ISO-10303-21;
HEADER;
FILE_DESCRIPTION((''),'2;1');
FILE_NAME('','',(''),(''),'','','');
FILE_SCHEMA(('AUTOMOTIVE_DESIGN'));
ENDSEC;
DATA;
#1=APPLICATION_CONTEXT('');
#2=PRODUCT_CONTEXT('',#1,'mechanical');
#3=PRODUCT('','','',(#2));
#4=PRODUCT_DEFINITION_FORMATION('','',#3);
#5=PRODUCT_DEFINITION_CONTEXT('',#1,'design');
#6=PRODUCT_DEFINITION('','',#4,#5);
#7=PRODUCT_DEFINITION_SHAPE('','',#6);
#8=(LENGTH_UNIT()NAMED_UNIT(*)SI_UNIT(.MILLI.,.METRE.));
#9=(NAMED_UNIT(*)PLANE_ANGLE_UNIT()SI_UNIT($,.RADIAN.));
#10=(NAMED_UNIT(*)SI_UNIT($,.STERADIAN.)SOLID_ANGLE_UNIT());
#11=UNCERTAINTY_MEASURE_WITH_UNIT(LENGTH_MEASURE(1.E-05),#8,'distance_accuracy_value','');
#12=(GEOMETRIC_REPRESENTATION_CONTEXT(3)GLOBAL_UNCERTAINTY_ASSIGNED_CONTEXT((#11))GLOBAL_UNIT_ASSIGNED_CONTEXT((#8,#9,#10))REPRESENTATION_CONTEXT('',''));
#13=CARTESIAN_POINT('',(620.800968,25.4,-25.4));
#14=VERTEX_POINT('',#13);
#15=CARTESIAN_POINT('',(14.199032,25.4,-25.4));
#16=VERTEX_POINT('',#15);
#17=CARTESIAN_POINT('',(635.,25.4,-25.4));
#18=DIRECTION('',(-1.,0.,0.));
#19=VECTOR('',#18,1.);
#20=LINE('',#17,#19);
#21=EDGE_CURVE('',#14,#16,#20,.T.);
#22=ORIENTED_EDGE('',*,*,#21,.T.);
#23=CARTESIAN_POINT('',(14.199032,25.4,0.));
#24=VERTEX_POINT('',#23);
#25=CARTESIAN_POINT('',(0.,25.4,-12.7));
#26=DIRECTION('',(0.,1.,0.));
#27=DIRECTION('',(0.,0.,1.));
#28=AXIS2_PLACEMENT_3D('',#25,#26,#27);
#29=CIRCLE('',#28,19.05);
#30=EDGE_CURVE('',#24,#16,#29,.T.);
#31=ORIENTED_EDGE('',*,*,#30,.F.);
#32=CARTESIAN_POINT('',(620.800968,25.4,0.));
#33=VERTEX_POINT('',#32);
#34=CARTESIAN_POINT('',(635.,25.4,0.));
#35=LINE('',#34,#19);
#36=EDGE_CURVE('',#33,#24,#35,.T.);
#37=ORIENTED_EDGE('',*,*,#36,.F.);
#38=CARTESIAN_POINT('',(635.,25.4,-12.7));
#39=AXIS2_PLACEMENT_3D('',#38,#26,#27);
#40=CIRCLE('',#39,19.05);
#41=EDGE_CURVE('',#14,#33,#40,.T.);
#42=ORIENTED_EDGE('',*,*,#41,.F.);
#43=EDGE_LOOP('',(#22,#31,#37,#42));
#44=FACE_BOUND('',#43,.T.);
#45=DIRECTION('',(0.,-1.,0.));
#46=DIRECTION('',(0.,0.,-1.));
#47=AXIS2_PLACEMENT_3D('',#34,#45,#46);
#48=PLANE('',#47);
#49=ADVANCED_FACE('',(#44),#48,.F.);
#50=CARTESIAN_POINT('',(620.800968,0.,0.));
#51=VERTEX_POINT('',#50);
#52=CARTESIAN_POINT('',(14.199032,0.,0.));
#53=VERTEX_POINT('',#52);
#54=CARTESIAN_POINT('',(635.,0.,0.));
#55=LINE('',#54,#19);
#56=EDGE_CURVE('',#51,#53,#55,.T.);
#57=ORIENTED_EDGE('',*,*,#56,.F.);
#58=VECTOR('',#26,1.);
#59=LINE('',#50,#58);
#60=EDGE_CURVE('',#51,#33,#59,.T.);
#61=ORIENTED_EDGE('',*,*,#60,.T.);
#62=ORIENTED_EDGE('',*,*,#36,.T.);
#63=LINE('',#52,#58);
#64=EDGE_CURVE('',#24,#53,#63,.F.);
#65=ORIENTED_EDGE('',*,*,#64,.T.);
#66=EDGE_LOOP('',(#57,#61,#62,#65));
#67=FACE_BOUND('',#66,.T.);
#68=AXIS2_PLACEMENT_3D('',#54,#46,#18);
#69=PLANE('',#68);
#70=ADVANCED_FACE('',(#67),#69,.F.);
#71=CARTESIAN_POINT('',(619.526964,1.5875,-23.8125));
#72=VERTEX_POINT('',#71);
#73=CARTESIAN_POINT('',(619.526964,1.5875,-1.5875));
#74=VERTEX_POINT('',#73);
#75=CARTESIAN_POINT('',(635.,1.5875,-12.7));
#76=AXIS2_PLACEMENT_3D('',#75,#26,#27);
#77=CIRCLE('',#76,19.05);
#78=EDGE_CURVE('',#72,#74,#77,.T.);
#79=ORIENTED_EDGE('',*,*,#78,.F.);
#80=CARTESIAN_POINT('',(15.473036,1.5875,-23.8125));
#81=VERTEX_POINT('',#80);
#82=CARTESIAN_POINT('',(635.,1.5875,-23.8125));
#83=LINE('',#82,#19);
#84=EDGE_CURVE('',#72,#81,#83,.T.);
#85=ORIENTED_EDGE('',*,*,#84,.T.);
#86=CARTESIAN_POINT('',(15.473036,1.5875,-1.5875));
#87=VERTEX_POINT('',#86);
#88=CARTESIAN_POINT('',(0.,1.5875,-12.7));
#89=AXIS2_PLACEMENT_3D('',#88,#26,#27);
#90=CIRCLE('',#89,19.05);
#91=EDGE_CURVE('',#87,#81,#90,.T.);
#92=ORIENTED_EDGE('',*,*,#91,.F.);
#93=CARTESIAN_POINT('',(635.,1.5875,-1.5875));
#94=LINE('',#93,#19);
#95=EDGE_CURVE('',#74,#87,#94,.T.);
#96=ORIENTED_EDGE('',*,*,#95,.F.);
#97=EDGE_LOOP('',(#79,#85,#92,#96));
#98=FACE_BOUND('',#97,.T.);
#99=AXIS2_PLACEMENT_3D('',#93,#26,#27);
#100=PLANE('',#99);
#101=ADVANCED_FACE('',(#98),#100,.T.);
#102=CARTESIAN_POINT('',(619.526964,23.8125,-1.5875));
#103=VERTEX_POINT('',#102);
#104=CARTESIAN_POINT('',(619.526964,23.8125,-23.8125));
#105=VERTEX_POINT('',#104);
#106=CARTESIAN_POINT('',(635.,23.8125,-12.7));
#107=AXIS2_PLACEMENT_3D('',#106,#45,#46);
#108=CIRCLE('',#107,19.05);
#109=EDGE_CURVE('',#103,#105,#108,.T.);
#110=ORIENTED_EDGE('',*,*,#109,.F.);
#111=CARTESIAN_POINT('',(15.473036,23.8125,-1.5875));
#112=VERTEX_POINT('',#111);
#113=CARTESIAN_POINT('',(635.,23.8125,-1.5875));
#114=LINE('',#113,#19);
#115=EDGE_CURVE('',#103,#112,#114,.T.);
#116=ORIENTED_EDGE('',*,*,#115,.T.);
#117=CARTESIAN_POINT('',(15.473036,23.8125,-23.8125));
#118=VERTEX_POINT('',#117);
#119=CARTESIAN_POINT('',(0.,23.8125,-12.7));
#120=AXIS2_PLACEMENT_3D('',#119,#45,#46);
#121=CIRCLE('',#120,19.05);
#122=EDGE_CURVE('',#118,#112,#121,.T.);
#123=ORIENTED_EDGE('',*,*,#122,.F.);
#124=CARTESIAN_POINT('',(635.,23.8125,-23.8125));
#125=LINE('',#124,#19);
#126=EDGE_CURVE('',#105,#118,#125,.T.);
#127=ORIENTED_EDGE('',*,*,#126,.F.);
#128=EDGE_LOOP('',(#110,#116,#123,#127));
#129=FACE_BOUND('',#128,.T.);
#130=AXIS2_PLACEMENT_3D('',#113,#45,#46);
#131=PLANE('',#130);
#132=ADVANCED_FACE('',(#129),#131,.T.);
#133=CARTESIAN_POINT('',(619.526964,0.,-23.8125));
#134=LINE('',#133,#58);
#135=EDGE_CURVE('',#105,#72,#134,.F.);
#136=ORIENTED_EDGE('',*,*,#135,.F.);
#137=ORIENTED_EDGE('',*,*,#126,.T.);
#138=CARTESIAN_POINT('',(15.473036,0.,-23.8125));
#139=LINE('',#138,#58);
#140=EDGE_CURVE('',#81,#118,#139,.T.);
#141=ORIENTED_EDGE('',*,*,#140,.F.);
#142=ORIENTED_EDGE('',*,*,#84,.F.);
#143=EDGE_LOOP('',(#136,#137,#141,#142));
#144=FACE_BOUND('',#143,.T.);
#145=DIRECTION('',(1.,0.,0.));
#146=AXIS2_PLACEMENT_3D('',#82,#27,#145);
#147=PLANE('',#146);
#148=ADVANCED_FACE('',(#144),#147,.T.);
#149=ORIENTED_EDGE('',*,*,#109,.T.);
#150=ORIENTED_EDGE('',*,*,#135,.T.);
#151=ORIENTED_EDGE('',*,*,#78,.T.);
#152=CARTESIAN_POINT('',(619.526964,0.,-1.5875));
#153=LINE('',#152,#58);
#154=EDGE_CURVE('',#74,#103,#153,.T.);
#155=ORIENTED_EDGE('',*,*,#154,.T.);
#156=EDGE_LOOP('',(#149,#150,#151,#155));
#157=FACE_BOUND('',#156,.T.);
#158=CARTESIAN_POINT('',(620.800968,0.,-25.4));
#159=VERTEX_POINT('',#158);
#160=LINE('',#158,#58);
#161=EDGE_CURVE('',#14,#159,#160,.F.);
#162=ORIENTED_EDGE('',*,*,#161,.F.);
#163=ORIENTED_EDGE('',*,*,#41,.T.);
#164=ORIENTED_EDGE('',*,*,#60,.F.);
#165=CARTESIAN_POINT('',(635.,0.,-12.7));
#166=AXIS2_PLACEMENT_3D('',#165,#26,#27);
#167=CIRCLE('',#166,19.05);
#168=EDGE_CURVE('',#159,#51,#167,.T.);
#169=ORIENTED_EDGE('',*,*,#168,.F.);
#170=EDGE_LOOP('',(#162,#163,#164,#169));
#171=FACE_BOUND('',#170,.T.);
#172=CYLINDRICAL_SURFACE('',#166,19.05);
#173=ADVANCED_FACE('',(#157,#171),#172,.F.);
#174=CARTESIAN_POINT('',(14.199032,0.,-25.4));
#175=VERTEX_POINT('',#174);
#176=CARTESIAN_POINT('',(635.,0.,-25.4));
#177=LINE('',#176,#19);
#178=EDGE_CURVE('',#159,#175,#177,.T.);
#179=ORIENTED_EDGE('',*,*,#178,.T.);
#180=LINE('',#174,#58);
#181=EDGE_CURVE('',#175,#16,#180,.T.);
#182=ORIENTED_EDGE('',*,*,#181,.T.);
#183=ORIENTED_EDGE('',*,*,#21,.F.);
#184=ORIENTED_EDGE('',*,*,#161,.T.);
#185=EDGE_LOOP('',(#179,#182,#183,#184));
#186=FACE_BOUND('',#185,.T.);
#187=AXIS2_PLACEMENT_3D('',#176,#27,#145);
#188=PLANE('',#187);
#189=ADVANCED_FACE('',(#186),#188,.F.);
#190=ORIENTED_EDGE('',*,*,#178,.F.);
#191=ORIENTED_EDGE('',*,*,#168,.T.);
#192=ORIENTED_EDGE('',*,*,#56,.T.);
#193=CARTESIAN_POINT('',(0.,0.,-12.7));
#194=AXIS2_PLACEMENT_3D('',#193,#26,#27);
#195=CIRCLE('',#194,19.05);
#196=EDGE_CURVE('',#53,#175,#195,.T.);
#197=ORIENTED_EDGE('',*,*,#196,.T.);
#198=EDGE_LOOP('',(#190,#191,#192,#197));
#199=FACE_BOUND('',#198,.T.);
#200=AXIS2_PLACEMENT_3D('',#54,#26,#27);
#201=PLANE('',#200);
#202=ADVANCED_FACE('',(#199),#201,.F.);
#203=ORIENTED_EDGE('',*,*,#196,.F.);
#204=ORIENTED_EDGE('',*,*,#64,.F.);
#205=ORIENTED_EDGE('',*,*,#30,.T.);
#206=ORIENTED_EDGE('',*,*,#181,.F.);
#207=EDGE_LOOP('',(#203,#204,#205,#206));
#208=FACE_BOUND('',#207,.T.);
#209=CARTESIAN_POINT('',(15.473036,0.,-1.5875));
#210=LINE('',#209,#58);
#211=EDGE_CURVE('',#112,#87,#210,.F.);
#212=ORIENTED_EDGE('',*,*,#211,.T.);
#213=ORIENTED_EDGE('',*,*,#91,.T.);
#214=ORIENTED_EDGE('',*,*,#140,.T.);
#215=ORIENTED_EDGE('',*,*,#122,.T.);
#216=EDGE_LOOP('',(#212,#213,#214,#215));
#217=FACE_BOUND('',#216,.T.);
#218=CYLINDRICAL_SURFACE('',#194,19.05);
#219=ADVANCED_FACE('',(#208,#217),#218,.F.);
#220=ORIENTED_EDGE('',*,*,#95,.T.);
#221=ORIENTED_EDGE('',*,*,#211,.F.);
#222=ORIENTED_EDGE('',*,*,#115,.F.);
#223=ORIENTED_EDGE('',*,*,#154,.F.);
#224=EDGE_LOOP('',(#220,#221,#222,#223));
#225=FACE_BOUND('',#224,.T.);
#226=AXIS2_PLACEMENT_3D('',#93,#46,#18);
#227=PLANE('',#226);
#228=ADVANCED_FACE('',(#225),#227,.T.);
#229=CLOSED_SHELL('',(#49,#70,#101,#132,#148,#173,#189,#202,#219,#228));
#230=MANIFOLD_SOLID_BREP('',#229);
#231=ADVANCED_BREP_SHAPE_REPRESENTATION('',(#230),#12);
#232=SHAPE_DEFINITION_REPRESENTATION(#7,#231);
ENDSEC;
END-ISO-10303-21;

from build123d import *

# Parameters (mm, degrees)
SKETCH1_W           = 25.4
SKETCH1_H           = 25.4
SKETCH1_W_2         = 22.225
SKETCH1_H_2         = 22.225
BOSS_EXTRUDE1_DEPTH = 635
SKETCH2_R           = 19.05
CUT_EXTRUDE1_DEPTH  = 26.4


with BuildPart() as part:
    # Sketch1 → Boss-Extrude1 (new body)
    with BuildSketch(Plane(origin=(0, 0, 0), x_dir=(0, 0, -1), z_dir=(1, 0, 0))):
        with Locations((12.7, 12.7)):
            Rectangle(SKETCH1_W, SKETCH1_H)
        with Locations((12.7, 12.7)):
            Rectangle(SKETCH1_W_2, SKETCH1_H_2, mode=Mode.SUBTRACT)
    extrude(amount=BOSS_EXTRUDE1_DEPTH)

    # Sketch2 → Cut-Extrude1 (cut, through all)
    with BuildSketch(Plane(origin=(0, 25.4, 0), x_dir=(1, 0, 0), z_dir=(0, 1, 0))):
        with Locations((0, 12.7)):
            Circle(SKETCH2_R)
        with Locations((635, 12.7)):
            Circle(SKETCH2_R)
    extrude(amount=-CUT_EXTRUDE1_DEPTH, mode=Mode.SUBTRACT)


solid = part.part
